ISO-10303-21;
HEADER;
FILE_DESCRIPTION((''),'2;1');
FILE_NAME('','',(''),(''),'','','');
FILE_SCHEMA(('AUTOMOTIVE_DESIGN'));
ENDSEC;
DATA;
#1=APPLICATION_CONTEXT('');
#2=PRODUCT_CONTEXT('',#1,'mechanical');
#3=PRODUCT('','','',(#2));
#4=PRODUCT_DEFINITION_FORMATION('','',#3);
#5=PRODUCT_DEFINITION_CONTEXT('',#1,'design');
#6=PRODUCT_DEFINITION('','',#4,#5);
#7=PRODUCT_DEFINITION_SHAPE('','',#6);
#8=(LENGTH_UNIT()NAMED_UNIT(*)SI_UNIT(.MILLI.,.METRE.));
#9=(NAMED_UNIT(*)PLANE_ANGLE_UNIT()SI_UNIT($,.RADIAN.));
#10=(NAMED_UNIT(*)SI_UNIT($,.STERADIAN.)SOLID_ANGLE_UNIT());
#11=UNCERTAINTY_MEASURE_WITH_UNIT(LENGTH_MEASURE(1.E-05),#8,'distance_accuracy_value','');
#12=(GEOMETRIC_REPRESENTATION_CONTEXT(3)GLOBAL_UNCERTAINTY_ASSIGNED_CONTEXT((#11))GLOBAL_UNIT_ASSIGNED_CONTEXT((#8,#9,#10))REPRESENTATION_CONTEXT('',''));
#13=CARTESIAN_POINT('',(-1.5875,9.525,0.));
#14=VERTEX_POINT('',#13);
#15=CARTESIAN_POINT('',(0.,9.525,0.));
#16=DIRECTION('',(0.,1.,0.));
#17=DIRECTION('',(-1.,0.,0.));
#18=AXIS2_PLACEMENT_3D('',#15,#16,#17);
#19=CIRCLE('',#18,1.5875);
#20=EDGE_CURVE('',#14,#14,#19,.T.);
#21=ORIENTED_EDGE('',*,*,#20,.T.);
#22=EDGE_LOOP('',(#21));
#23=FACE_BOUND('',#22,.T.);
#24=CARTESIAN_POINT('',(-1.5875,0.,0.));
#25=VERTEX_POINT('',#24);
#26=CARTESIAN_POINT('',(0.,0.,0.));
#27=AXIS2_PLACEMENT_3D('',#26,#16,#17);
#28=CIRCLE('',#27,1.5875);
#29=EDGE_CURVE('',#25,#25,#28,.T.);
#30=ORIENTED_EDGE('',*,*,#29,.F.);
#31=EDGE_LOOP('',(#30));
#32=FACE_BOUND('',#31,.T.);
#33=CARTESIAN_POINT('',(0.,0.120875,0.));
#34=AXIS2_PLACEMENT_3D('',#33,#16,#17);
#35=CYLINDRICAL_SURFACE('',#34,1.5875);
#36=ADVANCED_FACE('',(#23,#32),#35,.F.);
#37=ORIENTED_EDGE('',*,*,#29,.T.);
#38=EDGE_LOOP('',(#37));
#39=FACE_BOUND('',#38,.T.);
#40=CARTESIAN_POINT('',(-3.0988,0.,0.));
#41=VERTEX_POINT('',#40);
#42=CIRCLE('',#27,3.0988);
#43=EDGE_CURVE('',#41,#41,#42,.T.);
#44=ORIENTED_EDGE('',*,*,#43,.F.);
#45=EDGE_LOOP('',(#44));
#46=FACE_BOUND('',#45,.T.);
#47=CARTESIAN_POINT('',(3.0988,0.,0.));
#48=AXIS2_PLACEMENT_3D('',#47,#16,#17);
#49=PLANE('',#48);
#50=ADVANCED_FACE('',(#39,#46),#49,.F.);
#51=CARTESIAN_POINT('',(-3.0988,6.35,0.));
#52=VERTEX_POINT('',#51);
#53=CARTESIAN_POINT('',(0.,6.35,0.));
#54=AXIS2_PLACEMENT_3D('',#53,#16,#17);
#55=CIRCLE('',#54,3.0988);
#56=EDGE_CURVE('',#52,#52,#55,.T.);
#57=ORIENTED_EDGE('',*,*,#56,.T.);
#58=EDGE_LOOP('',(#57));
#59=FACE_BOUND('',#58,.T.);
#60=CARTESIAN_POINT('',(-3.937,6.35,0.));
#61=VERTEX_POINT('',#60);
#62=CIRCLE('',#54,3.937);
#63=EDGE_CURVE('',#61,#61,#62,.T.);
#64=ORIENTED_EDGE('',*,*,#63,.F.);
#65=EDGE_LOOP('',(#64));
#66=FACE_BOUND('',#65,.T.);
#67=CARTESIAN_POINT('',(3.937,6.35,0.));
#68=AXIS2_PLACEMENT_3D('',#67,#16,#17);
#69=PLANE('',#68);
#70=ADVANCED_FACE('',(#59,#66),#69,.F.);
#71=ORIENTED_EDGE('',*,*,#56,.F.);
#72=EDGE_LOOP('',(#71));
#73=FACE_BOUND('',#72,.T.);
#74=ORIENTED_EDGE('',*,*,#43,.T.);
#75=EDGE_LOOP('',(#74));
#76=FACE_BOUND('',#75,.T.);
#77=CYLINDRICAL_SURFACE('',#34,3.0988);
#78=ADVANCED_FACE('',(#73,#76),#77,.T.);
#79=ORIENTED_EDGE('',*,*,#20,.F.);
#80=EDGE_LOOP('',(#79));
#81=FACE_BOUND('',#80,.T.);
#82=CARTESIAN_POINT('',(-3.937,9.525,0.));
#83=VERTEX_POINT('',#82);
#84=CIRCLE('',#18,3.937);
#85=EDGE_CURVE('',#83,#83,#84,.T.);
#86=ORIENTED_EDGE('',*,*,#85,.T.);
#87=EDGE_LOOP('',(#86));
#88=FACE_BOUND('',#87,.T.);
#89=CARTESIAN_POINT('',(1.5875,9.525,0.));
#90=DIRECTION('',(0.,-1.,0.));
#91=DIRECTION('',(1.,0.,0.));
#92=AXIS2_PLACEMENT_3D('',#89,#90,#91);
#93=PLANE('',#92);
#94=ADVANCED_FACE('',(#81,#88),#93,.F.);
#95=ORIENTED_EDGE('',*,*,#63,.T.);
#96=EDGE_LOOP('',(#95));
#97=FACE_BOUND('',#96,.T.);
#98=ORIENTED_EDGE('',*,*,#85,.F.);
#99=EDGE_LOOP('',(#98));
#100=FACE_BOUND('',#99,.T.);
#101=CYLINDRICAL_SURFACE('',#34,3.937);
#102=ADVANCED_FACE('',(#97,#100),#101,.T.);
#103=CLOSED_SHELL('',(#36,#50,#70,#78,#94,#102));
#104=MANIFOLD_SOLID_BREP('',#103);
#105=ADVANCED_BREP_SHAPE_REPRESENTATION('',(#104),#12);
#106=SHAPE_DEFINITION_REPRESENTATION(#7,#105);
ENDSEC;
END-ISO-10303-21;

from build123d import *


with BuildPart() as part:
    # Sketch1 → Revolve1 (revolve)
    with BuildSketch(Plane.XY):
        Polygon((1.5875, 0), (1.5875, 9.525), (3.937, 9.525), (3.937, 6.35), (3.0988, 6.35), (3.0988, 0), align=None)
    revolve(axis=Axis((0, 0.120875177, 0), (0, -1, 0)))


solid = part.part
